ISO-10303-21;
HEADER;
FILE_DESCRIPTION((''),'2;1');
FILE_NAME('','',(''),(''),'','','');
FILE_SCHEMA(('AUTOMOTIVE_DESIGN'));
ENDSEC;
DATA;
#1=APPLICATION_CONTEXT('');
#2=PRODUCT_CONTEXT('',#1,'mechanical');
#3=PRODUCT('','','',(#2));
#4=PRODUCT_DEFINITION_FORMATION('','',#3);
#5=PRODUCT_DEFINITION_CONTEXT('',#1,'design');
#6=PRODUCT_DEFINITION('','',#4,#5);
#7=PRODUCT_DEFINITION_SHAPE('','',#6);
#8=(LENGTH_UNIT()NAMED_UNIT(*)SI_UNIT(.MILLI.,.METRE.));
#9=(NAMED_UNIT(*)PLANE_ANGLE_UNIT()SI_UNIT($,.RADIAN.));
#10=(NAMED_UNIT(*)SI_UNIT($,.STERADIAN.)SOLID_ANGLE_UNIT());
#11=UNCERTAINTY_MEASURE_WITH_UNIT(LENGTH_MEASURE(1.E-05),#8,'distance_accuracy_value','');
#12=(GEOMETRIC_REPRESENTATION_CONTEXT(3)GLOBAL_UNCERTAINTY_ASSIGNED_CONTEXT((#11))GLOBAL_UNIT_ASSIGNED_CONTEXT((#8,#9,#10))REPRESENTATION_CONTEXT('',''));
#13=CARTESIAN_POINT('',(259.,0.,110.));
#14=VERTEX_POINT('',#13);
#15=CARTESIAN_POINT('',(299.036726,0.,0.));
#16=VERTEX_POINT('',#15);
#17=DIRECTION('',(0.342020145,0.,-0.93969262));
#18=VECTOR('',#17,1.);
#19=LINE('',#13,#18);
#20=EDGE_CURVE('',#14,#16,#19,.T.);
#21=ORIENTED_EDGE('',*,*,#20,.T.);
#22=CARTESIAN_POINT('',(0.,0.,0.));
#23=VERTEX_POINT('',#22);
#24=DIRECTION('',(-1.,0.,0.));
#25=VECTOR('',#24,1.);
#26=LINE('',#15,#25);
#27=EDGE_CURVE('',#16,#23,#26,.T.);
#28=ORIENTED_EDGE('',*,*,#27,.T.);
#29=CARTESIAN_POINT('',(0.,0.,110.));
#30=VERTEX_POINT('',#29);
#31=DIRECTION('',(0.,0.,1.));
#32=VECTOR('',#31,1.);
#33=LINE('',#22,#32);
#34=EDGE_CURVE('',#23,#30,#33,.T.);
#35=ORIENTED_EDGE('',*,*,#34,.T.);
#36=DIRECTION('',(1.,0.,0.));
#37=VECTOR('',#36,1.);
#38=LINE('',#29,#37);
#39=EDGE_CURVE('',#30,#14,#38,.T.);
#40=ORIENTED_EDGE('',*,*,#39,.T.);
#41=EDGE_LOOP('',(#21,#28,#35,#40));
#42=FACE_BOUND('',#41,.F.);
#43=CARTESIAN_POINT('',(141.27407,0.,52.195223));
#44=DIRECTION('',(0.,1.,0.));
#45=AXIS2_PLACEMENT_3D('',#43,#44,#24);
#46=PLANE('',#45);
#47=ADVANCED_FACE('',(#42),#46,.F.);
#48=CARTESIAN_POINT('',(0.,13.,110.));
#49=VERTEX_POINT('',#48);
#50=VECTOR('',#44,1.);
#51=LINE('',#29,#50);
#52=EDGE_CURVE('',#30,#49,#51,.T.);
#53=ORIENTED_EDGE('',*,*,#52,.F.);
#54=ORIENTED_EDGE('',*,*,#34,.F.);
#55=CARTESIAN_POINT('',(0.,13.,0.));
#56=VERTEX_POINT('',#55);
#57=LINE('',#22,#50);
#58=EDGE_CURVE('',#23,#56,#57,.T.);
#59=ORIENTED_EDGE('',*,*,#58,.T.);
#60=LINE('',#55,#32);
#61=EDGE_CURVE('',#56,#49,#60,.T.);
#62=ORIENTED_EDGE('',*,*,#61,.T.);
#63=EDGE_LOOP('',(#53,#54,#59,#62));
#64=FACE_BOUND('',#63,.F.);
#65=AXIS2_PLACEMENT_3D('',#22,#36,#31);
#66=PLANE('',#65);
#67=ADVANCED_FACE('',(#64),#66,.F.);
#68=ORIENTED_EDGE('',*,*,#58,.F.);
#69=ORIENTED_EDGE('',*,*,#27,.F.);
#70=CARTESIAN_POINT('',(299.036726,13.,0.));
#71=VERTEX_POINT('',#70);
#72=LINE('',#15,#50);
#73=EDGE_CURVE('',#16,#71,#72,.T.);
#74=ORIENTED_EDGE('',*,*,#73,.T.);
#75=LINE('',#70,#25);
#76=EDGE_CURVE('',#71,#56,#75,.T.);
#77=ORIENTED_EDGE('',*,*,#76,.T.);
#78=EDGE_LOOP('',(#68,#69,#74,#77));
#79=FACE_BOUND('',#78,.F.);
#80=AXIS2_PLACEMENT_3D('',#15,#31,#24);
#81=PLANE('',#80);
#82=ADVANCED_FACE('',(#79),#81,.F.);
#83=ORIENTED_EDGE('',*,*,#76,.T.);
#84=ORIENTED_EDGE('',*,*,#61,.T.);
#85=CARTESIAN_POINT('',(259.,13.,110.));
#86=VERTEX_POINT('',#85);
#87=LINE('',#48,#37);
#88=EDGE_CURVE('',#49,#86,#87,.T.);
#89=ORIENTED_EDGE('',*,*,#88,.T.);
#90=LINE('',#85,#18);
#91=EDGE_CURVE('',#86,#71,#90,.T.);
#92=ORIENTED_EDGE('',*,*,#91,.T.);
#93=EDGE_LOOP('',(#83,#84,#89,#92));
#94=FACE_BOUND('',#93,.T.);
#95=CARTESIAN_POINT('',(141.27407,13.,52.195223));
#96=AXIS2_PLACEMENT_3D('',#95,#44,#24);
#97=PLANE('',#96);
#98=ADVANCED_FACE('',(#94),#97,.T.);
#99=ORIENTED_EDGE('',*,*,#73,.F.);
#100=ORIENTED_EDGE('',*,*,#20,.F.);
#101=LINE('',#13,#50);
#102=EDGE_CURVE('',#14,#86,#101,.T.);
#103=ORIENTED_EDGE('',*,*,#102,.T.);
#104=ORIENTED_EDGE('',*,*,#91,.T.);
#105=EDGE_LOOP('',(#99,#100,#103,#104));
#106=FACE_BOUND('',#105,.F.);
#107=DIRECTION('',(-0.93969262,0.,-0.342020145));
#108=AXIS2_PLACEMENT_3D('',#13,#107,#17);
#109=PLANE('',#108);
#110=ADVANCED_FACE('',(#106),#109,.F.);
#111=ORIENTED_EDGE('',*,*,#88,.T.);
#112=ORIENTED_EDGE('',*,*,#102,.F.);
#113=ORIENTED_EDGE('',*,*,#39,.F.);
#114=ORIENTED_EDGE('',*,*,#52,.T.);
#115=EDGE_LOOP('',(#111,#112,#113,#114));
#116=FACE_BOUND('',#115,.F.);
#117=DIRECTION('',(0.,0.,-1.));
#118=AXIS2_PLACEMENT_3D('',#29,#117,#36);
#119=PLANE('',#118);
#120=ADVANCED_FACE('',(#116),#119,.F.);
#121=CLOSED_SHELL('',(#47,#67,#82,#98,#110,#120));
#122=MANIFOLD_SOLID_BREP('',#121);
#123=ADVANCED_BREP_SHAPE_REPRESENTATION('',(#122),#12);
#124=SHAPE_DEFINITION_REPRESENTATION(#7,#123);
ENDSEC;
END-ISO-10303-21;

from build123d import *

# Parameters (mm, degrees)
PAD_DEPTH = 13


with BuildPart() as part:
    # Sketch → Pad (new body)
    with BuildSketch(Plane.XZ):
        Polygon((299.036726, 0), (0, 0), (0, 110), (259, 110), align=None)
    extrude(amount=-PAD_DEPTH)


solid = part.part
